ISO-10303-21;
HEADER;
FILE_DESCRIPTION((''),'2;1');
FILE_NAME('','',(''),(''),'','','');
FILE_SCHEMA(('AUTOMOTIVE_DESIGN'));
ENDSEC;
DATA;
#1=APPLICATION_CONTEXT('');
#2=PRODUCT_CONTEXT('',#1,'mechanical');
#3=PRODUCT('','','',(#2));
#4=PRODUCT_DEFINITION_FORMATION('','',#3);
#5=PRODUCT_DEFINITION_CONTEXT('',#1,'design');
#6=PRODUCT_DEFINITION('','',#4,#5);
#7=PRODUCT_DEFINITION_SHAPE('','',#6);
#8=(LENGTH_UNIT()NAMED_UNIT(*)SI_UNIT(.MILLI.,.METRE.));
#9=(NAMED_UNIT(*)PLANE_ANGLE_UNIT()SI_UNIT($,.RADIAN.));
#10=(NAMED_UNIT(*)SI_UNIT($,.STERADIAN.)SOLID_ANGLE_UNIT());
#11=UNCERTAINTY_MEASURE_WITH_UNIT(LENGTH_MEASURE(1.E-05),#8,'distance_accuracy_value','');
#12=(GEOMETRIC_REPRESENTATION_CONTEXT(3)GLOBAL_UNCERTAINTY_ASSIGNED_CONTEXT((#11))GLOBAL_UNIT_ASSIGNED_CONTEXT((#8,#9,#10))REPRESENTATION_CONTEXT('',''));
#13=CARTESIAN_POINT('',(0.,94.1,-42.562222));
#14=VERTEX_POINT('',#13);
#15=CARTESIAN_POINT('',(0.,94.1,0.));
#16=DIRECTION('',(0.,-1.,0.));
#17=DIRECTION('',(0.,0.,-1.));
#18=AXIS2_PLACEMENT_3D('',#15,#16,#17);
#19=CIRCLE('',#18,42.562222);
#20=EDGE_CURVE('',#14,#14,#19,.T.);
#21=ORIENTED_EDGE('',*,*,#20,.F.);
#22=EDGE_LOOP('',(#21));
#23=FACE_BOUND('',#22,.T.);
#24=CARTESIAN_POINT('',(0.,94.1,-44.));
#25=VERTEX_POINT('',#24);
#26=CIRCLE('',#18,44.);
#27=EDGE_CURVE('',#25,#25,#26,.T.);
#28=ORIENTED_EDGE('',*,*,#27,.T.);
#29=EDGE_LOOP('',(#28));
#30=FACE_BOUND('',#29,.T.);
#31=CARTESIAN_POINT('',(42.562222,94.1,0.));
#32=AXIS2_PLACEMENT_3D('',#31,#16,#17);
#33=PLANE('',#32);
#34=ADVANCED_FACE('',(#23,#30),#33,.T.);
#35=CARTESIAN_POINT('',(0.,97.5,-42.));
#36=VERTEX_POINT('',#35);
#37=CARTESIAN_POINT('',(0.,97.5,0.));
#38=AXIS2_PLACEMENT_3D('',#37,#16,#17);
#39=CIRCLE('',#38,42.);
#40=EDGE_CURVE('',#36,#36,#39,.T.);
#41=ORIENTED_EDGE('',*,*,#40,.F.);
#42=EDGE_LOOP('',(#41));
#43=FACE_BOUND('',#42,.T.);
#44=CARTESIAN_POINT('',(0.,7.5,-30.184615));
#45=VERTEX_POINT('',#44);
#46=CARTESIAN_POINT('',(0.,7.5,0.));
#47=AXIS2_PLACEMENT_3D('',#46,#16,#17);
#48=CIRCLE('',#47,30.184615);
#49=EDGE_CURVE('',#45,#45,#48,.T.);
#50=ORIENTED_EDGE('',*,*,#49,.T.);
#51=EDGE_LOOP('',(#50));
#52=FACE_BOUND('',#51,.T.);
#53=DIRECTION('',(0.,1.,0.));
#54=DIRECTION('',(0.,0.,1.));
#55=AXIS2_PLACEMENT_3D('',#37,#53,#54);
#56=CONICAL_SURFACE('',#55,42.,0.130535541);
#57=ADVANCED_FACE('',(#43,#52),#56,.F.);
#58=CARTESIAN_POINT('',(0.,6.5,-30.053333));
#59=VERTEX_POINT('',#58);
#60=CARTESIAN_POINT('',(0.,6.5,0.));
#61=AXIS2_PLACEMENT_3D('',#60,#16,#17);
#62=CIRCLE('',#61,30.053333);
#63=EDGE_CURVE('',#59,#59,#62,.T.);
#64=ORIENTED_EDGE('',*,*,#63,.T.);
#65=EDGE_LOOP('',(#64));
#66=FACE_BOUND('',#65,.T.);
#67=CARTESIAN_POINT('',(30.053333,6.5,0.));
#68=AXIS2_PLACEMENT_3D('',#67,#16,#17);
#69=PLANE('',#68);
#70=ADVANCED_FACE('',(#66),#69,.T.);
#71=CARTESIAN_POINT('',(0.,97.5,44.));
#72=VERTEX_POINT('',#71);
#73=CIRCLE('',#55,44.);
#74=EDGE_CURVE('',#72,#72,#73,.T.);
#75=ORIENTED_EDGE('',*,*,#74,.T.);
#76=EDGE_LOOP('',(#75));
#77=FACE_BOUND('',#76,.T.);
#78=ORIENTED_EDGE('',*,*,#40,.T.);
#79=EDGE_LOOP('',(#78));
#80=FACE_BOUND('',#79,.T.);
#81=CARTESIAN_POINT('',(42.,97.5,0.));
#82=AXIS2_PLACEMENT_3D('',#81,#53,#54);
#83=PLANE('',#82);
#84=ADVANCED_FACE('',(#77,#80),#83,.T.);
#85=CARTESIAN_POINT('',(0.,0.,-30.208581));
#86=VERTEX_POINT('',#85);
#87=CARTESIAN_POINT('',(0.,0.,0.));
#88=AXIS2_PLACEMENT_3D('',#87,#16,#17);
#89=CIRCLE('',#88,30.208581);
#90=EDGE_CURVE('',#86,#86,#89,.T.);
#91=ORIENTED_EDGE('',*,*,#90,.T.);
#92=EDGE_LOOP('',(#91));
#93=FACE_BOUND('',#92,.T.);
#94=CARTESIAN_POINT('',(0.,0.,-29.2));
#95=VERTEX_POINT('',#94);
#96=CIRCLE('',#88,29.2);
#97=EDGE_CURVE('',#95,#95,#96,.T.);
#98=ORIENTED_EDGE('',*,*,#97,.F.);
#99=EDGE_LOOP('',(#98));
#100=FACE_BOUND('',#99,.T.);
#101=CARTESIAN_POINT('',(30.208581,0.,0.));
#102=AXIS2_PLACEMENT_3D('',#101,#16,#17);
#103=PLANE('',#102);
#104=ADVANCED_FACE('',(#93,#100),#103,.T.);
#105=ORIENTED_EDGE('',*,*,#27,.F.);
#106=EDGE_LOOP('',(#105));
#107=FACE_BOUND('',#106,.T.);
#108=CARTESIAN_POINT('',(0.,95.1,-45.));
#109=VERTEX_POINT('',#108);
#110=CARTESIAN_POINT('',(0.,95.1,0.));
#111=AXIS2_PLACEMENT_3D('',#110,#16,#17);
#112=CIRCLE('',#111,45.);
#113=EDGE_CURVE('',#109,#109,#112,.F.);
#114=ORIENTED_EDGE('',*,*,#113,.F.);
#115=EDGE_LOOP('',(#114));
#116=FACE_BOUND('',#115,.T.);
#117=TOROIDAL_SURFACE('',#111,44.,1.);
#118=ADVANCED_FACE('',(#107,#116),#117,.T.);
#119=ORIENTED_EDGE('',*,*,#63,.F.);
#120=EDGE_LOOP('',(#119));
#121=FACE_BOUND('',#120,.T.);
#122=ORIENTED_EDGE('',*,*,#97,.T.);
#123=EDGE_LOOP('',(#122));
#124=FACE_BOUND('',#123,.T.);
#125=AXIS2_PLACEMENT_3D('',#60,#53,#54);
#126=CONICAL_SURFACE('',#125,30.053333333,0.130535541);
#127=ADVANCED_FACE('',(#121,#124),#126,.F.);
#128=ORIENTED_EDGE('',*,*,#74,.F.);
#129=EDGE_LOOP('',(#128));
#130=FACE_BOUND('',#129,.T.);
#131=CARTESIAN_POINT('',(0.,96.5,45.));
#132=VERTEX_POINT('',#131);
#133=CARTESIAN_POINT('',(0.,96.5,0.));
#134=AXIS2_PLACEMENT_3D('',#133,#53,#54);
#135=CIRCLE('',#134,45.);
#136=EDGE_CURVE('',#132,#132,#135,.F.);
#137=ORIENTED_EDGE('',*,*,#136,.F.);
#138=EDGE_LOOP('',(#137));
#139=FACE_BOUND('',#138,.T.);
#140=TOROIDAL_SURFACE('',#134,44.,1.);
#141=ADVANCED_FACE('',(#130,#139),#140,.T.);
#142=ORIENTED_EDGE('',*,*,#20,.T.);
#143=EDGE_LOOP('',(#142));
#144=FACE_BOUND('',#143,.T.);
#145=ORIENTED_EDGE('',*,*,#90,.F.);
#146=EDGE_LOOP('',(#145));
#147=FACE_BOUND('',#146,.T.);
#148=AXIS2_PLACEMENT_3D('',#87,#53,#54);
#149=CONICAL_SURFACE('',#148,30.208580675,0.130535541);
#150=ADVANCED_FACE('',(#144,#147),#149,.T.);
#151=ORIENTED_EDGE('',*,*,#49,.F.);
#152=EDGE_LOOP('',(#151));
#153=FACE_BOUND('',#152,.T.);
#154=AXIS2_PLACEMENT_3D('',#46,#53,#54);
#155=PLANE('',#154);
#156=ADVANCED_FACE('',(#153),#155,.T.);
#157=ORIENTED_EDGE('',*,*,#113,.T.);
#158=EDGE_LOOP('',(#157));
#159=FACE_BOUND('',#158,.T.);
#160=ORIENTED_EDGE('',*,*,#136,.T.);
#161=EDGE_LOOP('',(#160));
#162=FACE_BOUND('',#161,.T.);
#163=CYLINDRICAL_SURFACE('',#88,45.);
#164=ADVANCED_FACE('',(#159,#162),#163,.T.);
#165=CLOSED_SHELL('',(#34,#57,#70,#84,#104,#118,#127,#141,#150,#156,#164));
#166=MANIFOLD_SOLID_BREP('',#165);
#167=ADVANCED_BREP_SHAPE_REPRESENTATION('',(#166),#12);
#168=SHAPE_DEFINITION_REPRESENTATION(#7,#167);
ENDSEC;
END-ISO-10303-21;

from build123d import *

# Parameters (mm, degrees)
REDONDEO1_R = 1


with BuildPart() as part:
    # Croquis1 → Revolución1 (revolve)
    with BuildSketch(Plane.XY, mode=Mode.PRIVATE) as revoluci_n1_sk:
        Polygon((30.208580675, 0), (42.5622217, 94.1), (45, 94.1), (45, 97.5), (42, 97.5), (30.184615385, 7.5), (0, 7.5), (0, 6.5), (30.053333333, 6.5), (29.2, 0), align=None)
    revolve(revoluci_n1_sk.sketch.rotate(Axis((0, 0, 0), (0, 1, 0)), 90), axis=Axis((0, 0, 0), (0, 1, 0)))

    # Redondeo1
    redondeo1_edges = [part.edges().sort_by_distance(p)[0] for p in [
        (0, 97.5, 45),
        (0, 94.1, 45),
    ]]
    fillet(redondeo1_edges, radius=REDONDEO1_R)


solid = part.part
